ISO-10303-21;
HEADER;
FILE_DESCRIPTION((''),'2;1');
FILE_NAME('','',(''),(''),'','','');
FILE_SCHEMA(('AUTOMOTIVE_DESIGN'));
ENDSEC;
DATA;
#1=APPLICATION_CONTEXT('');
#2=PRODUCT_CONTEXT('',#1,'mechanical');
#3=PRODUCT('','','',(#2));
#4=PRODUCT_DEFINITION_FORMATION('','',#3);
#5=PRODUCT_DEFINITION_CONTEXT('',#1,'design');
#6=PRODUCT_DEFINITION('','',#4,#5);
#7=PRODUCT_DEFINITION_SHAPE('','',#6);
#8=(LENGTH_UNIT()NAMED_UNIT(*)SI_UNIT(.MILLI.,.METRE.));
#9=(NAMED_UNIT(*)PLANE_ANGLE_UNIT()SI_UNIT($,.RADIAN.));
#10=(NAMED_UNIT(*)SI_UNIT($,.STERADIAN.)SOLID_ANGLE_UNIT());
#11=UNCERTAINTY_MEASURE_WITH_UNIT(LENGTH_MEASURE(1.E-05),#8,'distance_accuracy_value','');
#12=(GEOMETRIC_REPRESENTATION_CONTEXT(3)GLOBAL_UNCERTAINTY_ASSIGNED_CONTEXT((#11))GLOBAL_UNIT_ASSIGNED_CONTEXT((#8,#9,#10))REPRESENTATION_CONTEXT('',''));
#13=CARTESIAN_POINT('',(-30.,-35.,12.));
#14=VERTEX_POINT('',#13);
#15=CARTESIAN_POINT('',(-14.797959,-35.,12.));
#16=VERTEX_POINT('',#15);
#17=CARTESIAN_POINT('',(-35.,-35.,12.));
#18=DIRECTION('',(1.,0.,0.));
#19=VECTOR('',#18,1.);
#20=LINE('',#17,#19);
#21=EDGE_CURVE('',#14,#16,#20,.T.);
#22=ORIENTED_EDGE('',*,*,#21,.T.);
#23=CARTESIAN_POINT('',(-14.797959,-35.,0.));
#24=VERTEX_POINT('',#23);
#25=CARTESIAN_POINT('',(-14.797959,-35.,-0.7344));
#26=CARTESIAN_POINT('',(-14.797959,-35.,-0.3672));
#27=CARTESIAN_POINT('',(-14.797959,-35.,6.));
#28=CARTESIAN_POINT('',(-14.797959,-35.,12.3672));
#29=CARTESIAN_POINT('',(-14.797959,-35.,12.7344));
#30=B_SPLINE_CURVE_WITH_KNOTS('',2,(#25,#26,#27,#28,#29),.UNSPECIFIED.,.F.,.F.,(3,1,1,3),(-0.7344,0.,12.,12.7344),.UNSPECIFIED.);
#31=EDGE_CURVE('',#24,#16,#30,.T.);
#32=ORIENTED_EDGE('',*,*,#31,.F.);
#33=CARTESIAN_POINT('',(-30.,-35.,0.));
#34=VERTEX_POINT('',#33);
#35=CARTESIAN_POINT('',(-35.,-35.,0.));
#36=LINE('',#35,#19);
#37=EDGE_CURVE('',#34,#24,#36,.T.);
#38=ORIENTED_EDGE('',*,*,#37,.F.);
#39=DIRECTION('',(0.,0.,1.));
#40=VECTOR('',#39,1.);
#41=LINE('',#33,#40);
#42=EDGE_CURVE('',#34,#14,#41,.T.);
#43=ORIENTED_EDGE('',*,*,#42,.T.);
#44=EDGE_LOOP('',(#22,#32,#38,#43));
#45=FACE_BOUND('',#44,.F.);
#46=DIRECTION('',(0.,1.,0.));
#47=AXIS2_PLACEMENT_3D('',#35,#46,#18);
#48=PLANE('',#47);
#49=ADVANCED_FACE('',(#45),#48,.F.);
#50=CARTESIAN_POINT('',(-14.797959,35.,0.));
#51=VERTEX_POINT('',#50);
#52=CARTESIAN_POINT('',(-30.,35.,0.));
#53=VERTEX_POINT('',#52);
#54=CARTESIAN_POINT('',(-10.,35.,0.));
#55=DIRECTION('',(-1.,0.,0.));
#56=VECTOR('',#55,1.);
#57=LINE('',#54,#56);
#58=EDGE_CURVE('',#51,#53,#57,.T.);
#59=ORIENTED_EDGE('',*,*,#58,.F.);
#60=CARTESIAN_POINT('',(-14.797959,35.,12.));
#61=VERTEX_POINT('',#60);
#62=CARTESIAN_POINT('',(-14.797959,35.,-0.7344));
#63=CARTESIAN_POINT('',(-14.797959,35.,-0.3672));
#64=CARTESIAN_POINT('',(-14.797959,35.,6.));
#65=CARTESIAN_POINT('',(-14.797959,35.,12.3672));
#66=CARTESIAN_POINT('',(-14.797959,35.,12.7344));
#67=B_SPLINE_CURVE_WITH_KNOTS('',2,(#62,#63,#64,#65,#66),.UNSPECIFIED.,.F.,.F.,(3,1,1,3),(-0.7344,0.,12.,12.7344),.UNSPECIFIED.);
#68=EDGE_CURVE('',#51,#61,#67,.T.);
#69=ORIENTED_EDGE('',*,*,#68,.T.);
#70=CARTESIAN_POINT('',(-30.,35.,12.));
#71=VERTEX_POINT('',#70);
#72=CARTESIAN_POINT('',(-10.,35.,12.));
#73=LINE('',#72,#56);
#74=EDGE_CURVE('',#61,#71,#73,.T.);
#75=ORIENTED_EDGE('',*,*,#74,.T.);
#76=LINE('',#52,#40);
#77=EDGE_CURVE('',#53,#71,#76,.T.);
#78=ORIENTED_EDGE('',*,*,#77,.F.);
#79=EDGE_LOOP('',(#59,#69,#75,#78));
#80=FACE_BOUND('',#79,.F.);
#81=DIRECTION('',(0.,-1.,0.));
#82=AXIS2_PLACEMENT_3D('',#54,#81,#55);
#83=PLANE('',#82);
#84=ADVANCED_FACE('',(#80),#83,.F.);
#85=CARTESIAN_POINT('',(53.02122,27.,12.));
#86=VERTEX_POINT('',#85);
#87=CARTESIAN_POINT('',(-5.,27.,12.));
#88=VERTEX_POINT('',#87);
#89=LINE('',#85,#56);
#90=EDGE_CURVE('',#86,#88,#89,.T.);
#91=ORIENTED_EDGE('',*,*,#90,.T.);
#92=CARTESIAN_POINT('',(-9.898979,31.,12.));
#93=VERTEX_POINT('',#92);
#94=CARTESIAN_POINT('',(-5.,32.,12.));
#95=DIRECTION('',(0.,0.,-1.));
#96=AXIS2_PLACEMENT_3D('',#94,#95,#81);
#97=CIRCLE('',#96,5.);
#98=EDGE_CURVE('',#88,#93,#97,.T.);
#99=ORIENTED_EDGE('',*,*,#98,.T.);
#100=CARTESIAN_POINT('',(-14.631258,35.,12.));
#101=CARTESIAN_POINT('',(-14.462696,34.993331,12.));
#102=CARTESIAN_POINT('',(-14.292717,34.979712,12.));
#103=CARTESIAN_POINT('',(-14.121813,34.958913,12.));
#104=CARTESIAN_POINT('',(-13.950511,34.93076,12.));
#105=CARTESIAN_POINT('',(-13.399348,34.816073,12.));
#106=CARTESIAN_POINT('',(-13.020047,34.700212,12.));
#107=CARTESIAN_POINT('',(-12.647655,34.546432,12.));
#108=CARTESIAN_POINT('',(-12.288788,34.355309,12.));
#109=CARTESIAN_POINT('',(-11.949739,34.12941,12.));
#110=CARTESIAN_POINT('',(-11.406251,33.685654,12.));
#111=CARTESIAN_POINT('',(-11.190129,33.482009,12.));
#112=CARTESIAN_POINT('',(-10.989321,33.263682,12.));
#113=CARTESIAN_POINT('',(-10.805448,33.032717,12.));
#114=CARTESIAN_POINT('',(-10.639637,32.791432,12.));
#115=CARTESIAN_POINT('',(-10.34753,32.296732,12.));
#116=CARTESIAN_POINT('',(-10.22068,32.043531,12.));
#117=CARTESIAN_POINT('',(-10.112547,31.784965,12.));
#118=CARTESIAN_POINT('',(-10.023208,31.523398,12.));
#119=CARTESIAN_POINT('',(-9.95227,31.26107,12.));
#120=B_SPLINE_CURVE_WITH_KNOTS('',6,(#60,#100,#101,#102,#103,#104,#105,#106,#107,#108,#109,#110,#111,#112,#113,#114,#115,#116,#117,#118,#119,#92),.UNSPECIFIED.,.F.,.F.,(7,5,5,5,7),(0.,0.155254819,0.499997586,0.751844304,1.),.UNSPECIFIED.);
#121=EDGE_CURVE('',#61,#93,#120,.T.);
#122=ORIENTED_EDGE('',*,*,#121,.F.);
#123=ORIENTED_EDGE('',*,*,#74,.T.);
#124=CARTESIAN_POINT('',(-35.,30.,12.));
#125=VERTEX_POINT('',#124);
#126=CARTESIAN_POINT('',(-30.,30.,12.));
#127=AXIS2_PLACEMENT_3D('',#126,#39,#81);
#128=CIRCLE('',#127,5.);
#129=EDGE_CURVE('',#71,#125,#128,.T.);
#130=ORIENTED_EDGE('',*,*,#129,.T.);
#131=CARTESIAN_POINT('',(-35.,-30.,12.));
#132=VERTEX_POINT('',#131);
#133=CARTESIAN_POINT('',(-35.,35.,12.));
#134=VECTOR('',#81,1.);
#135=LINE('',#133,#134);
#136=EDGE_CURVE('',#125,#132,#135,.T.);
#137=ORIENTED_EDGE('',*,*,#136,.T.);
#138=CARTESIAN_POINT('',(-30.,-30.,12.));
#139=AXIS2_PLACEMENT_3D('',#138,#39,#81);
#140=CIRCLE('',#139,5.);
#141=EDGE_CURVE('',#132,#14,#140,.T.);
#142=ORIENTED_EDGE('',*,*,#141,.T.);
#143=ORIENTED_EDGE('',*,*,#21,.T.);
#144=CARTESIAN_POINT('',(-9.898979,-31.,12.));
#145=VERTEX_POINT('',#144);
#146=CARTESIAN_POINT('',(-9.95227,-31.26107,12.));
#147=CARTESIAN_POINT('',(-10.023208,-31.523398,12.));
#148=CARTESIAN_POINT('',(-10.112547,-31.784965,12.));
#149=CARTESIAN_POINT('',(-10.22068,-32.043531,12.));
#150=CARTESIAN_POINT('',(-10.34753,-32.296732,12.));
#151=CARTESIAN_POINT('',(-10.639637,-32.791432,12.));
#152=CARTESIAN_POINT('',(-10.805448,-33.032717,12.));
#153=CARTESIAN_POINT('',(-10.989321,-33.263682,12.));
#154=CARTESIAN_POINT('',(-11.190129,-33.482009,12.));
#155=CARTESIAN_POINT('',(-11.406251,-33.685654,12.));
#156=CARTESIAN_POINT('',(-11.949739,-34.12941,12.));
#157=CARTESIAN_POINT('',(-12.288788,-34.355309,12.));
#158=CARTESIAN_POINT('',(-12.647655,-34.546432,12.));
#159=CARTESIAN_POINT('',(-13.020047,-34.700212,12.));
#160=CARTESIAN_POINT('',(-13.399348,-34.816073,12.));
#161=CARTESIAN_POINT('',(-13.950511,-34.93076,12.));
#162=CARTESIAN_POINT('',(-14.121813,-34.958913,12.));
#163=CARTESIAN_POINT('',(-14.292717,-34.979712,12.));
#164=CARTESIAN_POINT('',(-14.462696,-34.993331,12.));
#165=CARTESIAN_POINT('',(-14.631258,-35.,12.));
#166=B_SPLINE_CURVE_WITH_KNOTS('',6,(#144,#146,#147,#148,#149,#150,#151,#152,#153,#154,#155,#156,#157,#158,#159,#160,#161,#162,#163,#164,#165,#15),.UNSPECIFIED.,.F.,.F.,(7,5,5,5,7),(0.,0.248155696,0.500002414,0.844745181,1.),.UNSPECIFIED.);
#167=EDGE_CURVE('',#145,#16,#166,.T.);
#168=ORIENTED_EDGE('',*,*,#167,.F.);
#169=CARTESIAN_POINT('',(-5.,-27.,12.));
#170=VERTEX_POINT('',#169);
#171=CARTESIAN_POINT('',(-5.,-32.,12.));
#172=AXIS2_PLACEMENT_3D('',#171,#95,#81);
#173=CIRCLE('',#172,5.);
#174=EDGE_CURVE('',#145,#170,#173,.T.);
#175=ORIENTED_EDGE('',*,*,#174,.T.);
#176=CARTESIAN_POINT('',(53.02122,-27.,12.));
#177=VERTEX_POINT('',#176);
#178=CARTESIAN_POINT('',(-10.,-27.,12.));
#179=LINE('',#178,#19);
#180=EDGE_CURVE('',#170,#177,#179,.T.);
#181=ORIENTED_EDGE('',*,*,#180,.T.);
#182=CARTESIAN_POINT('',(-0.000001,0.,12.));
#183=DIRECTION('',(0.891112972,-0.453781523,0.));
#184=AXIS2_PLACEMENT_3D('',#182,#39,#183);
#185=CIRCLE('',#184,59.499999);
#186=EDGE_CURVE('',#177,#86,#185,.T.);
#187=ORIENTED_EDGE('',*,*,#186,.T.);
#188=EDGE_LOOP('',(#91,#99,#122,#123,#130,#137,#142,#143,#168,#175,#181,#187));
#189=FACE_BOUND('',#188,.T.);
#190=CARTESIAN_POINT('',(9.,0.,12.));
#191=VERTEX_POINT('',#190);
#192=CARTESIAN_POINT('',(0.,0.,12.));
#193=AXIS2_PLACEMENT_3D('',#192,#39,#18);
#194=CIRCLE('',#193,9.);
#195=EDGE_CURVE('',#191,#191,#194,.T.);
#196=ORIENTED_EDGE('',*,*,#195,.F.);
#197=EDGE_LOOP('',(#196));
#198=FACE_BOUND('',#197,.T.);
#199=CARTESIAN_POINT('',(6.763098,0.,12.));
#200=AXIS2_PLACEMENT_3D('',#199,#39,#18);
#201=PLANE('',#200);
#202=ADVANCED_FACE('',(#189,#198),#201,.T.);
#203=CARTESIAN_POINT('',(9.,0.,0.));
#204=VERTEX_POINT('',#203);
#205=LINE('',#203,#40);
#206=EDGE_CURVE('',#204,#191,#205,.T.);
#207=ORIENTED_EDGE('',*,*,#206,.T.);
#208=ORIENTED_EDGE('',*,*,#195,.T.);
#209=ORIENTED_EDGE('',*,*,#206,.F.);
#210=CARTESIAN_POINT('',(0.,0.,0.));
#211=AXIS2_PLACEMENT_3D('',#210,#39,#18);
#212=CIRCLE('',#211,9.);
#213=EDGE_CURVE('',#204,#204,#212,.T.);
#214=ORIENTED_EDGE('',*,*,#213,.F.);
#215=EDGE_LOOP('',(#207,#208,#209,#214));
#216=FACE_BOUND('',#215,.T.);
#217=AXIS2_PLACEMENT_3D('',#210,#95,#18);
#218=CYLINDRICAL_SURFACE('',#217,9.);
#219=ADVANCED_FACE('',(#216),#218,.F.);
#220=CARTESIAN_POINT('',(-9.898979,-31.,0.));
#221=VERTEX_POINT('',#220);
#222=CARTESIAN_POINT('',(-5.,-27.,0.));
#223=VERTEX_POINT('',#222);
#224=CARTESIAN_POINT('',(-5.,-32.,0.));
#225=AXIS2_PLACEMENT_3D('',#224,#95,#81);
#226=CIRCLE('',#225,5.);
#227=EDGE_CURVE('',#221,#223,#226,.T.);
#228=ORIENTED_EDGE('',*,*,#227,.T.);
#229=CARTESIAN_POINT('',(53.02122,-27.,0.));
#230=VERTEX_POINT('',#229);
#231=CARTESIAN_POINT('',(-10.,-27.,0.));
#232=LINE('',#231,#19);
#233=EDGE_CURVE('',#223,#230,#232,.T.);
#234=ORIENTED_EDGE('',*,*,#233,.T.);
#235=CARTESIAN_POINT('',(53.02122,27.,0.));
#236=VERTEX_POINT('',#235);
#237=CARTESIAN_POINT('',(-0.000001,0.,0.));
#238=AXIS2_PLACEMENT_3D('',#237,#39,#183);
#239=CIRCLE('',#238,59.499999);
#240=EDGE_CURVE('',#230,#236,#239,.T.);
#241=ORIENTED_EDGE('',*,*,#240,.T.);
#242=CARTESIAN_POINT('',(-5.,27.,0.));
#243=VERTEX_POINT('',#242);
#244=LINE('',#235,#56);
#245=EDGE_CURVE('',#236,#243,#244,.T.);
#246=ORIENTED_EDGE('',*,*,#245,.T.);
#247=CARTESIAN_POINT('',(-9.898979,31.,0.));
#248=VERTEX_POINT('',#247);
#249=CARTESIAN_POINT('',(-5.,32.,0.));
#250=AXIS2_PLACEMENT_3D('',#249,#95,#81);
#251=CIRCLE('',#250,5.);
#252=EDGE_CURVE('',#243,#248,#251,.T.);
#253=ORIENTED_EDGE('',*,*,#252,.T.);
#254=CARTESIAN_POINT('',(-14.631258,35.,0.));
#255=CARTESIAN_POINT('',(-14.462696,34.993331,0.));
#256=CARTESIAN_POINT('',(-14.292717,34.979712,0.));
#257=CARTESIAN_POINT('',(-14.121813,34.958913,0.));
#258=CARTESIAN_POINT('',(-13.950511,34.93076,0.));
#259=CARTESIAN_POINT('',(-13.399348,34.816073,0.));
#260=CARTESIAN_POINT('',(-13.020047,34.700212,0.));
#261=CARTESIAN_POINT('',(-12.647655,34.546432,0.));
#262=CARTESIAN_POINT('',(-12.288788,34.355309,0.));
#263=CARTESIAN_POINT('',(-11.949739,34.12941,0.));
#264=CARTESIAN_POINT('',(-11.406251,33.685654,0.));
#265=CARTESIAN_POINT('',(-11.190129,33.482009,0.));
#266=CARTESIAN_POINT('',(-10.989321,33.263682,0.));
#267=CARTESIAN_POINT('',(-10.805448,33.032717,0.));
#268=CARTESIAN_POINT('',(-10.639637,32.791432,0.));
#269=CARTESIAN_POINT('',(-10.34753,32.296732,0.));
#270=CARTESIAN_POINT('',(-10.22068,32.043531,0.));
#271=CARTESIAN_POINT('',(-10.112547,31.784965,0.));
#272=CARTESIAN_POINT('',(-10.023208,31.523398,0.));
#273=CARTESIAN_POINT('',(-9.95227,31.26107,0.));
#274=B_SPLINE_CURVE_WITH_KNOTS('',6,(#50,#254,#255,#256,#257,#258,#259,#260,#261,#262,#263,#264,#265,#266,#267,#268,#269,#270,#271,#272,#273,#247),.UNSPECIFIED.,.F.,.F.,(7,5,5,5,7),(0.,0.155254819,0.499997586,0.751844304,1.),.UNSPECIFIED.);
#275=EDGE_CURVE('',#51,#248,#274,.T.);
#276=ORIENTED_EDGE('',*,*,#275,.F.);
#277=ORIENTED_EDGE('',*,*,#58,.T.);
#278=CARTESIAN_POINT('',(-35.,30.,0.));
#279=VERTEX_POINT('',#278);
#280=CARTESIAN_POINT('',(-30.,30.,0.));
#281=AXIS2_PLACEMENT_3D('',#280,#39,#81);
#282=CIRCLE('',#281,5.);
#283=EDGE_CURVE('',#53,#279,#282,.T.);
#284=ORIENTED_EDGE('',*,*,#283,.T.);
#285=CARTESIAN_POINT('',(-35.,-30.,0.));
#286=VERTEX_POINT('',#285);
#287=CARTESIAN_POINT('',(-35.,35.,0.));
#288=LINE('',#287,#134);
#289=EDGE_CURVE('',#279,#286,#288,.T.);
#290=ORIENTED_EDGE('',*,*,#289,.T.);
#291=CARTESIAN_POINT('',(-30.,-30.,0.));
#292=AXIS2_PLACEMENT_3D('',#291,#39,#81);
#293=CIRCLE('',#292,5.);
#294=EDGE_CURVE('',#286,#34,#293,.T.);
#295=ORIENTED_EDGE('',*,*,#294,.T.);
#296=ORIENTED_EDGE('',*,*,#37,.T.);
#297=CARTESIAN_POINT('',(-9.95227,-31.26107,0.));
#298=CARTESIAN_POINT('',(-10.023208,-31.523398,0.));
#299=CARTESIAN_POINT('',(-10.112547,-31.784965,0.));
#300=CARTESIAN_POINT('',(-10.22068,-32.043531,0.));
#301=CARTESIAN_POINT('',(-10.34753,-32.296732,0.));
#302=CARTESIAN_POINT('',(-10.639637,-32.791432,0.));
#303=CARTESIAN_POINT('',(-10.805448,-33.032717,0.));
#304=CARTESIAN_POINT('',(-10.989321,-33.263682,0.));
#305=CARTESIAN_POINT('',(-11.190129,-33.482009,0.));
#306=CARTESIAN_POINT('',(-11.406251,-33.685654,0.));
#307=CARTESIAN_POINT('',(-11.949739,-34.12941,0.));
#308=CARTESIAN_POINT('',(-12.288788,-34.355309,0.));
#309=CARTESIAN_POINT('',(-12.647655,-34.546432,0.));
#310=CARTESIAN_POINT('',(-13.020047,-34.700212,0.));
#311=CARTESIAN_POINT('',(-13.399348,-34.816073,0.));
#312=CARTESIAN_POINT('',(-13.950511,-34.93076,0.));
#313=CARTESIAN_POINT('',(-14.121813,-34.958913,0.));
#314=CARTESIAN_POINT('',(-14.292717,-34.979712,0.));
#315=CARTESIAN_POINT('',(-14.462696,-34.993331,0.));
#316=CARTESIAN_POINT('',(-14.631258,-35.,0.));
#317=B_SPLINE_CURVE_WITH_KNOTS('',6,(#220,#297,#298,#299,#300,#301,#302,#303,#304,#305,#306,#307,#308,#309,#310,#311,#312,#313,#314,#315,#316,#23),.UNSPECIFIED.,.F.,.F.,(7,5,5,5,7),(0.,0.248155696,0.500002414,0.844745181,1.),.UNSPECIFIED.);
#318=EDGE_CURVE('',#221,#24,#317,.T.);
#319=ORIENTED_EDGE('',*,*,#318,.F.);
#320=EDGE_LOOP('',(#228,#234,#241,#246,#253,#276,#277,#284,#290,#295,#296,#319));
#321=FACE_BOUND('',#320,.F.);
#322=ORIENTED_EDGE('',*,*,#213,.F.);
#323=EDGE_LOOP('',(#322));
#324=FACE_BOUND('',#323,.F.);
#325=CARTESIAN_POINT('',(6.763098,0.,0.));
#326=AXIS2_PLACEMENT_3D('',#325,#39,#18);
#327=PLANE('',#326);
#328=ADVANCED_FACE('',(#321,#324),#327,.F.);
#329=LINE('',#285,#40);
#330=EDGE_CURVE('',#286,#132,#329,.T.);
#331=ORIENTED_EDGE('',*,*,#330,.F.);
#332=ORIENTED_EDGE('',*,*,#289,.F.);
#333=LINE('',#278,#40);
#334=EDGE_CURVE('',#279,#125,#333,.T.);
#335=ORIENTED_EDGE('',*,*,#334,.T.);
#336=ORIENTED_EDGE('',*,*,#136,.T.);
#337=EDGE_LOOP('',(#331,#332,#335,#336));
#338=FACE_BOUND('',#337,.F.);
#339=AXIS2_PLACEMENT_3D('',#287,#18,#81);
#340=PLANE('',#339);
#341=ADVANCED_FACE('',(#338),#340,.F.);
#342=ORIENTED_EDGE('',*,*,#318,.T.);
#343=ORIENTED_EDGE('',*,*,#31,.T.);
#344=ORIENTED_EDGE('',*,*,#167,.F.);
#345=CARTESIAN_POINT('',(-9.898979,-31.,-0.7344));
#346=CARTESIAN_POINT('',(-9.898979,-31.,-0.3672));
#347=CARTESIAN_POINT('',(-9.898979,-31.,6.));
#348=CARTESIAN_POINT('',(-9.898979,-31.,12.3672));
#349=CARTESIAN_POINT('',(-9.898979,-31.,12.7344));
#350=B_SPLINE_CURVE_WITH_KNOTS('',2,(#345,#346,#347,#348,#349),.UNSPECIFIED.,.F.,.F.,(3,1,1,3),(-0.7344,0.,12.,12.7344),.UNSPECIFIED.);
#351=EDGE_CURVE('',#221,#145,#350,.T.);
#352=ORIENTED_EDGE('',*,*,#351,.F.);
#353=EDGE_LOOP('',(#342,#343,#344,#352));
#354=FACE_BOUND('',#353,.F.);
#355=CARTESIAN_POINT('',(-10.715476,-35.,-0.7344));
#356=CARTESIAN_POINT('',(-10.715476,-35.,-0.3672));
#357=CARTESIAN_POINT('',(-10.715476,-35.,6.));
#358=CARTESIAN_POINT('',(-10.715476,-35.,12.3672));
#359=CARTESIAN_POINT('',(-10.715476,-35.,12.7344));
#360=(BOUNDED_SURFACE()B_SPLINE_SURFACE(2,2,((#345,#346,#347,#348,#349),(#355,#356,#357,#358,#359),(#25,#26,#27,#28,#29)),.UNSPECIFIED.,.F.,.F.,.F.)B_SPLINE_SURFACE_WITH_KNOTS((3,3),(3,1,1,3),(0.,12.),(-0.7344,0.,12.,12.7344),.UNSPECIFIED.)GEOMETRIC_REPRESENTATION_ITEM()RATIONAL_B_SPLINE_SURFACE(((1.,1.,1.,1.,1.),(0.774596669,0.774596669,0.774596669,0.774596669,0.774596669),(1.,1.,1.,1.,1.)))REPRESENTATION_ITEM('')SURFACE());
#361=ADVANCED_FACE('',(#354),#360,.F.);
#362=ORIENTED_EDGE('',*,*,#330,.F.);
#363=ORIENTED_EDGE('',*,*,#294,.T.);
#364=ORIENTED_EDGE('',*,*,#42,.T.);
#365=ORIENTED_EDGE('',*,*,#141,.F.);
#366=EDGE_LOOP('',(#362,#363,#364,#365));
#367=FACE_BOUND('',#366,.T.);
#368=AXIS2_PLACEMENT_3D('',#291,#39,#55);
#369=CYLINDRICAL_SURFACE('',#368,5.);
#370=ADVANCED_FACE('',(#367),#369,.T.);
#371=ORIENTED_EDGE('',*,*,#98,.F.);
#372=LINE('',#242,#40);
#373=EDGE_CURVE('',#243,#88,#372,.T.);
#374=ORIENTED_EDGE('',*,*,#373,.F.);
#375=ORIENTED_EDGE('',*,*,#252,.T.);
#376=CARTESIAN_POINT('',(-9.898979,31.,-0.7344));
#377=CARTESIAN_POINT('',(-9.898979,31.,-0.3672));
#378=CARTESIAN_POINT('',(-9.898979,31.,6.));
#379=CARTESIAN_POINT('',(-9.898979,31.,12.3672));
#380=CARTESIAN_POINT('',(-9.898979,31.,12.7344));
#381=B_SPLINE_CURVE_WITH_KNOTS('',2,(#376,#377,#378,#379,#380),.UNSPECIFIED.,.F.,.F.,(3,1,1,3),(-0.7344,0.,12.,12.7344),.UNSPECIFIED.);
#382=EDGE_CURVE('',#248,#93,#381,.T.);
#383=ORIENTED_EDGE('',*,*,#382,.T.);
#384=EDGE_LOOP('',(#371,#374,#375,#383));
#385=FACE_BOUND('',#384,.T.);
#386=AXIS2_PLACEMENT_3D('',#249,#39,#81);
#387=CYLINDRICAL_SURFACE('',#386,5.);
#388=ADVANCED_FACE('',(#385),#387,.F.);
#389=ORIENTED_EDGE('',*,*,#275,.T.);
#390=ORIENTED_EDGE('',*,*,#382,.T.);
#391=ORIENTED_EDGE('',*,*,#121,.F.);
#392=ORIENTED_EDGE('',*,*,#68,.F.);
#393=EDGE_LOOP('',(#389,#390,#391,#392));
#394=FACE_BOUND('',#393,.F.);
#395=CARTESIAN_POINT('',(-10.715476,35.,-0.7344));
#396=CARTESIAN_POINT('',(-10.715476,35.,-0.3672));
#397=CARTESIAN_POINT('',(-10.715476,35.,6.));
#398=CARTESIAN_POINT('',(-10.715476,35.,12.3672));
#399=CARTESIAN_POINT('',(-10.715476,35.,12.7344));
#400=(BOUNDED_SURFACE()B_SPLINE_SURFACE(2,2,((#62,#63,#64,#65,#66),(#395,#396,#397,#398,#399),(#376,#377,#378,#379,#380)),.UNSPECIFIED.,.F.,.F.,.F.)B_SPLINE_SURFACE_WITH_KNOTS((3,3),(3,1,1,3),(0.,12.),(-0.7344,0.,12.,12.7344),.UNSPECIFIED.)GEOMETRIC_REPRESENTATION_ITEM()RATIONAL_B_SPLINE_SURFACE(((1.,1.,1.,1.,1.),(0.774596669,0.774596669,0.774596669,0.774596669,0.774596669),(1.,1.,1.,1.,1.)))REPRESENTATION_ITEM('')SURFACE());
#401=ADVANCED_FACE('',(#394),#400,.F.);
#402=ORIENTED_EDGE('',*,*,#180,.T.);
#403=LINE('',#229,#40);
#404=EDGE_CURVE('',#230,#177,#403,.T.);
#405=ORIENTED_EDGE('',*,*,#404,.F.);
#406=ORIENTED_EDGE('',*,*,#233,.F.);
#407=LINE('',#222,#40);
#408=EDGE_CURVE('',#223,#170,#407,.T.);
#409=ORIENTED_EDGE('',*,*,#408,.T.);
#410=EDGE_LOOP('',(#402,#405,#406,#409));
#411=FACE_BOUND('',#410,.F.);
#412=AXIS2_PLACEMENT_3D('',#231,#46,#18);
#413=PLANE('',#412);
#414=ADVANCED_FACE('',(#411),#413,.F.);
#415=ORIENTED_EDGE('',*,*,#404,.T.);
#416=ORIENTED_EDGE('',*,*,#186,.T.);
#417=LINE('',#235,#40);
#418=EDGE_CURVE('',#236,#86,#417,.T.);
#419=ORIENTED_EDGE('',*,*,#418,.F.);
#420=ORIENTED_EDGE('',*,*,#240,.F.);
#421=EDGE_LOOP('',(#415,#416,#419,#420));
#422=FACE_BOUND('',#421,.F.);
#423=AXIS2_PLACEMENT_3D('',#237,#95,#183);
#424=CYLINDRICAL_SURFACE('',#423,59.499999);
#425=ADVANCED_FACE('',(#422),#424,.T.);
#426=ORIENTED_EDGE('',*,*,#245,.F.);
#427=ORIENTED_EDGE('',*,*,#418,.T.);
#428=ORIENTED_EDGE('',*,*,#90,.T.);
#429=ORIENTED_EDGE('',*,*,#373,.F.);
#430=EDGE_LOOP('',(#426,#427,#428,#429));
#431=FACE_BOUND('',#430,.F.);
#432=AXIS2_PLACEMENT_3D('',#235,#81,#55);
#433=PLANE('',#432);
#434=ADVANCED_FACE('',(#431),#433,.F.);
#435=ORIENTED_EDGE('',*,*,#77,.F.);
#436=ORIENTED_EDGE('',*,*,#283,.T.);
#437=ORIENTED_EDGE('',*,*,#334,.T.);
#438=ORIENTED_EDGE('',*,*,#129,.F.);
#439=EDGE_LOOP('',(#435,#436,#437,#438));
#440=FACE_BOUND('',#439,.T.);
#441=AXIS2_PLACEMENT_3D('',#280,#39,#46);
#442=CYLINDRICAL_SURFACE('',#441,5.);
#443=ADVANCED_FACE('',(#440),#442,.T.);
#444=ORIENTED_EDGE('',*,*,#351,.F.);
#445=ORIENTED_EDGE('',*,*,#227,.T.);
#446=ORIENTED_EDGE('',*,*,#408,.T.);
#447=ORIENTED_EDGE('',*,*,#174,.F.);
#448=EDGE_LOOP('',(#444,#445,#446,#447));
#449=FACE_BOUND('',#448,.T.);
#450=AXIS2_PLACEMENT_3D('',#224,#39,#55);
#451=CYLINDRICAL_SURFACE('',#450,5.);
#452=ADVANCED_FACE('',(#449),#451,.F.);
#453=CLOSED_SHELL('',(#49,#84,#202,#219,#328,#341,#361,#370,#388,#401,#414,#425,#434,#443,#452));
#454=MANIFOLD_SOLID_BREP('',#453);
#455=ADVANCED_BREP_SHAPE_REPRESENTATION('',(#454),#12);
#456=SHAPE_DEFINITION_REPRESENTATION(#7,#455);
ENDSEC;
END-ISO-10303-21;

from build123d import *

# Parameters (mm, degrees)
F0_R     = 9
F1_DEPTH = 12
F2_R     = 5
F3_R     = 5
F4_R     = 5
F5_R     = 5
F6_R     = 5


with BuildPart() as f1:
    # F0 (on Top) → F1 (new body)
    with BuildSketch(Plane.XY):
        with BuildLine():
            Line((-10, 35), (-35, 35))
            Line((-35, 35), (-35, -35))
            Line((-35, -35), (-10, -35))
            Line((-10, -35), (-10, -27))
            Line((-10, -27), (53.02122, -27))
            ThreePointArc((53.02122, -27), (59.499998, 0), (53.02122, 27))
            Line((53.02122, 27), (-10, 27))
            Line((-10, 27), (-10, 35))
        make_face()
        Circle(F0_R, mode=Mode.SUBTRACT)
    extrude(amount=F1_DEPTH)

    # F2
    f2_edges = [f1.edges().sort_by_distance(p)[0] for p in [
        (-10, -27, 6),
    ]]
    fillet(f2_edges, radius=F2_R)

    # F3
    f3_edges = [f1.edges().sort_by_distance(p)[0] for p in [
        (-10, 27, 6),
    ]]
    fillet(f3_edges, radius=F3_R)

    # F4
    f4_edges = [f1.edges().sort_by_distance(p)[0] for p in [
        (-10, -35, 6),
    ]]
    fillet(f4_edges, radius=F4_R)

    # F5
    f5_edges = [f1.edges().sort_by_distance(p)[0] for p in [
        (-10, 35, 6),
    ]]
    fillet(f5_edges, radius=F5_R)

    # F6
    f6_edges = [f1.edges().sort_by_distance(p)[0] for p in [
        (-35, -35, 6),
        (-35, 35, 6),
    ]]
    fillet(f6_edges, radius=F6_R)


solid = f1.part
